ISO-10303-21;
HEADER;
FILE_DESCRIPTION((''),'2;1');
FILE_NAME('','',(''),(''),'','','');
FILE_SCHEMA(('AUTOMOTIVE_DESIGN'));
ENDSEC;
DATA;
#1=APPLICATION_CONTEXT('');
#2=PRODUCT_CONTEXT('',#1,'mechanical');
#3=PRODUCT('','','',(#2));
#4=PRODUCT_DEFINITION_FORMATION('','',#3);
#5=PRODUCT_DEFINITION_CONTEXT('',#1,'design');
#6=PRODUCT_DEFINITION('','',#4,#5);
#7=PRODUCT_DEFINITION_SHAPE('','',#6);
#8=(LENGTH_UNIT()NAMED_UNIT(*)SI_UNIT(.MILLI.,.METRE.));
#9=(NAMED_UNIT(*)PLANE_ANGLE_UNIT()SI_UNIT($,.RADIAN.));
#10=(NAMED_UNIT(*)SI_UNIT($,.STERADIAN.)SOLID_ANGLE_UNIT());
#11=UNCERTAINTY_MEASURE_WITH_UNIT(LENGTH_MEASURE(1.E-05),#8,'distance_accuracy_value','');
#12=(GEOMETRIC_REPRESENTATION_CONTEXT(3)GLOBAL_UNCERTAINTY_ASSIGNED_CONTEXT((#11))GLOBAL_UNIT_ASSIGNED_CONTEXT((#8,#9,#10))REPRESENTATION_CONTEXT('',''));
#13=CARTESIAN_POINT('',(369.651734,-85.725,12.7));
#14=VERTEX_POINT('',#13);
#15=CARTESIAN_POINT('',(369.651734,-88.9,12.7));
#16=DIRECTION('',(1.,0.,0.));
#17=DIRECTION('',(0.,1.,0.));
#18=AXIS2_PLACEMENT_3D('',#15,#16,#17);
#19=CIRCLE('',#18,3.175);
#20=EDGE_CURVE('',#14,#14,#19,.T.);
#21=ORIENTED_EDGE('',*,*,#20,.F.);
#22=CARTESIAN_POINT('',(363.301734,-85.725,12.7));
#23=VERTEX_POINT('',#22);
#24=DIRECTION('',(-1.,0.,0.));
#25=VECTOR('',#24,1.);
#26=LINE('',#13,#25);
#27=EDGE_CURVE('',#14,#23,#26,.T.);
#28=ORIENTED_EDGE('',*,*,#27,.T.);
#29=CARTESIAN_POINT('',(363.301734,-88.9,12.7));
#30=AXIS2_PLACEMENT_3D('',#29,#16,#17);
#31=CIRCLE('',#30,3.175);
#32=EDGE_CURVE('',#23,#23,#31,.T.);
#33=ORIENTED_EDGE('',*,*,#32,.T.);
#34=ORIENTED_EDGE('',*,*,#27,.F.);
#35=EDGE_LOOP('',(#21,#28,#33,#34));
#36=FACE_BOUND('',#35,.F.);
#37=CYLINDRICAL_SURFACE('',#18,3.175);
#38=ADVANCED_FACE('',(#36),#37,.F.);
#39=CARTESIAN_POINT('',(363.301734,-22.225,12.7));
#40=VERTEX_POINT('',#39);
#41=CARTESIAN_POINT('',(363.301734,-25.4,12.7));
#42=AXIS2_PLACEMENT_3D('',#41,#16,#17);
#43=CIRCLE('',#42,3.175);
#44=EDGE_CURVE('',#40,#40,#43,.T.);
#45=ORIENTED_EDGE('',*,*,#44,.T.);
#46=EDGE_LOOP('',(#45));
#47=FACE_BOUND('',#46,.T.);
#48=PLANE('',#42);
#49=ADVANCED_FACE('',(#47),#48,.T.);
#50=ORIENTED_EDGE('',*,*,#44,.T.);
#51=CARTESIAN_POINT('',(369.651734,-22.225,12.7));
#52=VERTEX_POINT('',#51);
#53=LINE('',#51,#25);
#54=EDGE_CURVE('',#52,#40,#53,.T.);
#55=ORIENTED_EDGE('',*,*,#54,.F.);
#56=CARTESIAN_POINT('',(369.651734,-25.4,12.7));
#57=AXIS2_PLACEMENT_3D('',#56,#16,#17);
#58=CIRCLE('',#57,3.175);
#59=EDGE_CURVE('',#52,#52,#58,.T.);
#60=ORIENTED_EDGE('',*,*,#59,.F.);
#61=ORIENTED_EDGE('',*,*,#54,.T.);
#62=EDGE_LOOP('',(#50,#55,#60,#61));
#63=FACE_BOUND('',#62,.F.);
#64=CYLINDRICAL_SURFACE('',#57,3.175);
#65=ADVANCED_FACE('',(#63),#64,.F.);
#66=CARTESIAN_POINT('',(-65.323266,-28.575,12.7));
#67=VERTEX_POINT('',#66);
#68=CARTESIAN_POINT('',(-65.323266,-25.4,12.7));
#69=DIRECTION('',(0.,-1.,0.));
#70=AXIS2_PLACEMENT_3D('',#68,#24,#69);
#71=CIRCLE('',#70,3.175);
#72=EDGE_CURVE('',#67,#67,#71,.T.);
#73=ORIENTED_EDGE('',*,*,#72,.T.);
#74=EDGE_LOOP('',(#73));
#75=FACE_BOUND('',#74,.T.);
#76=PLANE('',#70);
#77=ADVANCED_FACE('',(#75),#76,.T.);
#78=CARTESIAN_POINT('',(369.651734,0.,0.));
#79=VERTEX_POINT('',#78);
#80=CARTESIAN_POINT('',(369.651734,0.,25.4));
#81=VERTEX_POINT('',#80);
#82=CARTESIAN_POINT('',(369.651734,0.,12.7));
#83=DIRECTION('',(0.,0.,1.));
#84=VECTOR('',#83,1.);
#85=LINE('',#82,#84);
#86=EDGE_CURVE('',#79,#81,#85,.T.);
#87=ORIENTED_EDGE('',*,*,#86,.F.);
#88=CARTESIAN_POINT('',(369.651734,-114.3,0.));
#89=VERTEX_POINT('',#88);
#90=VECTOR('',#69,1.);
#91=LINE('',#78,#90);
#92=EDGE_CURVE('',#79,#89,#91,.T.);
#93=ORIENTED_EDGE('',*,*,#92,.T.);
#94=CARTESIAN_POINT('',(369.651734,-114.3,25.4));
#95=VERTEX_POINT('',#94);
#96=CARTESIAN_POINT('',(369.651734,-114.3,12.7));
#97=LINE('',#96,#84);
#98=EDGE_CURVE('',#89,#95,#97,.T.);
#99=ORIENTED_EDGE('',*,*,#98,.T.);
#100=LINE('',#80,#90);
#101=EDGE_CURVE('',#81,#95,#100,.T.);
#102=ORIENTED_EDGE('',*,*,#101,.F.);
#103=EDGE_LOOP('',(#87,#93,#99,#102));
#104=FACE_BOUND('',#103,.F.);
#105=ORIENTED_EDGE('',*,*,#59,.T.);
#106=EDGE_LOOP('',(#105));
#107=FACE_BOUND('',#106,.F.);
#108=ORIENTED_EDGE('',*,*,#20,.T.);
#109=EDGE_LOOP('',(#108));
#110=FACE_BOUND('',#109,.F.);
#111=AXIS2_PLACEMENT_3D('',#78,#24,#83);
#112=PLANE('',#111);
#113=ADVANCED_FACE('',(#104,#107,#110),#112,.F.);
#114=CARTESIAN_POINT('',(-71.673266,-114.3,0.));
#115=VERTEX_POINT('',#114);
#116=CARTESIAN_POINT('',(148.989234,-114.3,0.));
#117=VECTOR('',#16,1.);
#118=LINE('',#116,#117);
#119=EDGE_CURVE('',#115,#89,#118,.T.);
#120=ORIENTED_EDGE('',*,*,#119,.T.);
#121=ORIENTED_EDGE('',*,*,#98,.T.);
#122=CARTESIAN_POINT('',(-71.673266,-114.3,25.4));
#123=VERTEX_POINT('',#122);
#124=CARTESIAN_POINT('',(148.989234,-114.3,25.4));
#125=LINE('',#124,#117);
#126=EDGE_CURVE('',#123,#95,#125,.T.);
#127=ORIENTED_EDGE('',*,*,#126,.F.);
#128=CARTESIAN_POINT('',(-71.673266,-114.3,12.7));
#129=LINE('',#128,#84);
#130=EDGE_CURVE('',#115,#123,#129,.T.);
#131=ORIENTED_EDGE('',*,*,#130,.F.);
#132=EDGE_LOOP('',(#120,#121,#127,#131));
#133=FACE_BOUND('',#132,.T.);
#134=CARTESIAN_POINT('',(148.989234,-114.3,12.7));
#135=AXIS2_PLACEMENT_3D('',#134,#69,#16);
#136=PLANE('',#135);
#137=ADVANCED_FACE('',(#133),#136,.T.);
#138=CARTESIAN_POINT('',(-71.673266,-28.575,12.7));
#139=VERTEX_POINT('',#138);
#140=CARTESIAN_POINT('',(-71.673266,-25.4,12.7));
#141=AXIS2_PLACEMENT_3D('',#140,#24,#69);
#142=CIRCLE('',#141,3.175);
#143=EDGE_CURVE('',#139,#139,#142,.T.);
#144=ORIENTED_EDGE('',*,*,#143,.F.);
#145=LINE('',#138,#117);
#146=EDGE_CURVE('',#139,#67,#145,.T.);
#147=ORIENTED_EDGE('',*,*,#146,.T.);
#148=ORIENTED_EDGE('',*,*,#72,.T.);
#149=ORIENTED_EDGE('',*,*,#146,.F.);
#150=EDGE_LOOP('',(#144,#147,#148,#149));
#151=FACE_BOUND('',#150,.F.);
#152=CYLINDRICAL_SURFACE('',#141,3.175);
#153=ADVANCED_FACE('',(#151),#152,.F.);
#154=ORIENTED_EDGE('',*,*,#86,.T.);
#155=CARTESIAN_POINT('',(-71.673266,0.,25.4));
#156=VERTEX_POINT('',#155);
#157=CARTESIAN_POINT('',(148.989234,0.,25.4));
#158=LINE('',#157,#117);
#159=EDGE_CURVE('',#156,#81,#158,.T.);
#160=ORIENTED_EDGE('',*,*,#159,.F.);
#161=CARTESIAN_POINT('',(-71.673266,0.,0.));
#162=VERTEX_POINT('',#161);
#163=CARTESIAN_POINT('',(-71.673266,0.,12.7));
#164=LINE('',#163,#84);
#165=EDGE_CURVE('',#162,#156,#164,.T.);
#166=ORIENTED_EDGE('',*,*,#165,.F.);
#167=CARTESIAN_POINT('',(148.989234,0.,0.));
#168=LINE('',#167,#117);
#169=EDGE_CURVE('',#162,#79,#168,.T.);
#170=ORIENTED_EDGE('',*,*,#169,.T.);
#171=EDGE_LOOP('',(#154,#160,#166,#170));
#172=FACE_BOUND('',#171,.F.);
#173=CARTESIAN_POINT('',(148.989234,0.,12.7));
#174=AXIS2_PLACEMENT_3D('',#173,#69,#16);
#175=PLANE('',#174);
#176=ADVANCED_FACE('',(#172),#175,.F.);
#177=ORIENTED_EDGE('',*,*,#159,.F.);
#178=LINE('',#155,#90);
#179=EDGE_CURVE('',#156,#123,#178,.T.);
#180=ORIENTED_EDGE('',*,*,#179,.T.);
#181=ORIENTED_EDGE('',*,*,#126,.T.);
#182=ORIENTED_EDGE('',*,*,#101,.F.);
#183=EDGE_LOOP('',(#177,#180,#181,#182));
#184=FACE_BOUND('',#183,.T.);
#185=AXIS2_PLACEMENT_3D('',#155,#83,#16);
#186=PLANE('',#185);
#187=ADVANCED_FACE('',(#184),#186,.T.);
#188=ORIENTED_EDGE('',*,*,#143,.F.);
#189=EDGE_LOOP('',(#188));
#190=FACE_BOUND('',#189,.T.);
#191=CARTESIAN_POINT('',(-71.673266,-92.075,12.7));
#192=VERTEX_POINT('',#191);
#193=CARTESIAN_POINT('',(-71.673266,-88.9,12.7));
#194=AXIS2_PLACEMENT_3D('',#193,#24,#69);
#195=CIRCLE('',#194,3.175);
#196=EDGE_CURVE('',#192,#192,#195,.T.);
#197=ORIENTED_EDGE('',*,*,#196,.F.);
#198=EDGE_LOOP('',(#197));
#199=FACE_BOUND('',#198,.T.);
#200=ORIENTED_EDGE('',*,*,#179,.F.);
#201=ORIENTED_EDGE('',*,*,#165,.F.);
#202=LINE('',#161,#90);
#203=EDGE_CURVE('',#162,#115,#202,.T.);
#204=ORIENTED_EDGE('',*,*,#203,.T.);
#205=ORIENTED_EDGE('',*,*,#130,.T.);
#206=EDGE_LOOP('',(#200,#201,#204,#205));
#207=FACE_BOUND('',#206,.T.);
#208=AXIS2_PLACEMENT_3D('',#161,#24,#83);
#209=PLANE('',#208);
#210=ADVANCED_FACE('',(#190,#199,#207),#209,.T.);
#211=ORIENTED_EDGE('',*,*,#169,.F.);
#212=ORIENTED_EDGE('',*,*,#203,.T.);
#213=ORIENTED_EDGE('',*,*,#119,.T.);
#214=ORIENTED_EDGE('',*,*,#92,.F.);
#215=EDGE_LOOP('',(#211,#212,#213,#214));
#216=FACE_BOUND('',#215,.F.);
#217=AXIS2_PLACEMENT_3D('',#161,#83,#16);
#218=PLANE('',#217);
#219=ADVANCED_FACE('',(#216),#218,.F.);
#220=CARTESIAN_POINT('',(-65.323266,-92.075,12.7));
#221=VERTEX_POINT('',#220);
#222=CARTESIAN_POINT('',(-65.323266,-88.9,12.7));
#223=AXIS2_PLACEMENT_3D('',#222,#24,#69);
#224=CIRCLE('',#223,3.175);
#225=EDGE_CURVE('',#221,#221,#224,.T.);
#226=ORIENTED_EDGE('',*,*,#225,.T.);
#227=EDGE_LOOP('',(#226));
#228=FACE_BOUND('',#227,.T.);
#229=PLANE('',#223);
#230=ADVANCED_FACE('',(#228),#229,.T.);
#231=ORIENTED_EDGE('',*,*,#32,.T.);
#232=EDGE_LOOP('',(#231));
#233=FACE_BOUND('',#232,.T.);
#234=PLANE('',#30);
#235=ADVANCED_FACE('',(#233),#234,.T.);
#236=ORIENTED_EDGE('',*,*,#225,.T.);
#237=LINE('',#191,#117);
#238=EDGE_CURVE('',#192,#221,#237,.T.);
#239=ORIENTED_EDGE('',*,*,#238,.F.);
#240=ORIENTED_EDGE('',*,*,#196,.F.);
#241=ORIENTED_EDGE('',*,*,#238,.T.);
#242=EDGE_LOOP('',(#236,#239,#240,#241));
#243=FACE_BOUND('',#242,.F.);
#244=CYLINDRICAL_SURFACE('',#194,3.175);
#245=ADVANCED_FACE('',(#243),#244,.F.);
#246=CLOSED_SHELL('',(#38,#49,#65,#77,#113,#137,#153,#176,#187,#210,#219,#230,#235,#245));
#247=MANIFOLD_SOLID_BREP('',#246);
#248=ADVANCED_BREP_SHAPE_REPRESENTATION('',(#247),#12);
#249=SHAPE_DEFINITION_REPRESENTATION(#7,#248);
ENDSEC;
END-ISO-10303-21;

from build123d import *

# Parameters (mm, degrees)
F0_W     = 441.325
F0_H     = 25.4
F1_DEPTH = 114.3
F3_R     = 3.175
F4_DEPTH = 6.35
F2_R     = 3.175
F5_DEPTH = 6.35


with BuildPart() as f1:
    # F0 (on Front) → F1 (new body)
    with BuildSketch(Plane.XZ):
        with Locations((148.989234, 12.7)):
            Rectangle(F0_W, F0_H)
    extrude(amount=F1_DEPTH)

    # F3 (on face) → F4 (cut)
    with BuildSketch(Plane.YZ.offset(369.651734)):
        with Locations((-88.9, 12.7)):
            Circle(F3_R)
        with Locations((-25.4, 12.7)):
            Circle(F3_R)
    extrude(amount=-F4_DEPTH, mode=Mode.SUBTRACT)

    # F2 (on face) → F5 (cut)
    with BuildSketch(Plane(origin=(-71.673266, 0, 0), x_dir=(0, -1, 0), z_dir=(-1, 0, 0))):
        with Locations((25.4, 12.7)):
            Circle(F2_R)
        with Locations((88.9, 12.7)):
            Circle(F2_R)
    extrude(amount=-F5_DEPTH, mode=Mode.SUBTRACT)


solid = f1.part
